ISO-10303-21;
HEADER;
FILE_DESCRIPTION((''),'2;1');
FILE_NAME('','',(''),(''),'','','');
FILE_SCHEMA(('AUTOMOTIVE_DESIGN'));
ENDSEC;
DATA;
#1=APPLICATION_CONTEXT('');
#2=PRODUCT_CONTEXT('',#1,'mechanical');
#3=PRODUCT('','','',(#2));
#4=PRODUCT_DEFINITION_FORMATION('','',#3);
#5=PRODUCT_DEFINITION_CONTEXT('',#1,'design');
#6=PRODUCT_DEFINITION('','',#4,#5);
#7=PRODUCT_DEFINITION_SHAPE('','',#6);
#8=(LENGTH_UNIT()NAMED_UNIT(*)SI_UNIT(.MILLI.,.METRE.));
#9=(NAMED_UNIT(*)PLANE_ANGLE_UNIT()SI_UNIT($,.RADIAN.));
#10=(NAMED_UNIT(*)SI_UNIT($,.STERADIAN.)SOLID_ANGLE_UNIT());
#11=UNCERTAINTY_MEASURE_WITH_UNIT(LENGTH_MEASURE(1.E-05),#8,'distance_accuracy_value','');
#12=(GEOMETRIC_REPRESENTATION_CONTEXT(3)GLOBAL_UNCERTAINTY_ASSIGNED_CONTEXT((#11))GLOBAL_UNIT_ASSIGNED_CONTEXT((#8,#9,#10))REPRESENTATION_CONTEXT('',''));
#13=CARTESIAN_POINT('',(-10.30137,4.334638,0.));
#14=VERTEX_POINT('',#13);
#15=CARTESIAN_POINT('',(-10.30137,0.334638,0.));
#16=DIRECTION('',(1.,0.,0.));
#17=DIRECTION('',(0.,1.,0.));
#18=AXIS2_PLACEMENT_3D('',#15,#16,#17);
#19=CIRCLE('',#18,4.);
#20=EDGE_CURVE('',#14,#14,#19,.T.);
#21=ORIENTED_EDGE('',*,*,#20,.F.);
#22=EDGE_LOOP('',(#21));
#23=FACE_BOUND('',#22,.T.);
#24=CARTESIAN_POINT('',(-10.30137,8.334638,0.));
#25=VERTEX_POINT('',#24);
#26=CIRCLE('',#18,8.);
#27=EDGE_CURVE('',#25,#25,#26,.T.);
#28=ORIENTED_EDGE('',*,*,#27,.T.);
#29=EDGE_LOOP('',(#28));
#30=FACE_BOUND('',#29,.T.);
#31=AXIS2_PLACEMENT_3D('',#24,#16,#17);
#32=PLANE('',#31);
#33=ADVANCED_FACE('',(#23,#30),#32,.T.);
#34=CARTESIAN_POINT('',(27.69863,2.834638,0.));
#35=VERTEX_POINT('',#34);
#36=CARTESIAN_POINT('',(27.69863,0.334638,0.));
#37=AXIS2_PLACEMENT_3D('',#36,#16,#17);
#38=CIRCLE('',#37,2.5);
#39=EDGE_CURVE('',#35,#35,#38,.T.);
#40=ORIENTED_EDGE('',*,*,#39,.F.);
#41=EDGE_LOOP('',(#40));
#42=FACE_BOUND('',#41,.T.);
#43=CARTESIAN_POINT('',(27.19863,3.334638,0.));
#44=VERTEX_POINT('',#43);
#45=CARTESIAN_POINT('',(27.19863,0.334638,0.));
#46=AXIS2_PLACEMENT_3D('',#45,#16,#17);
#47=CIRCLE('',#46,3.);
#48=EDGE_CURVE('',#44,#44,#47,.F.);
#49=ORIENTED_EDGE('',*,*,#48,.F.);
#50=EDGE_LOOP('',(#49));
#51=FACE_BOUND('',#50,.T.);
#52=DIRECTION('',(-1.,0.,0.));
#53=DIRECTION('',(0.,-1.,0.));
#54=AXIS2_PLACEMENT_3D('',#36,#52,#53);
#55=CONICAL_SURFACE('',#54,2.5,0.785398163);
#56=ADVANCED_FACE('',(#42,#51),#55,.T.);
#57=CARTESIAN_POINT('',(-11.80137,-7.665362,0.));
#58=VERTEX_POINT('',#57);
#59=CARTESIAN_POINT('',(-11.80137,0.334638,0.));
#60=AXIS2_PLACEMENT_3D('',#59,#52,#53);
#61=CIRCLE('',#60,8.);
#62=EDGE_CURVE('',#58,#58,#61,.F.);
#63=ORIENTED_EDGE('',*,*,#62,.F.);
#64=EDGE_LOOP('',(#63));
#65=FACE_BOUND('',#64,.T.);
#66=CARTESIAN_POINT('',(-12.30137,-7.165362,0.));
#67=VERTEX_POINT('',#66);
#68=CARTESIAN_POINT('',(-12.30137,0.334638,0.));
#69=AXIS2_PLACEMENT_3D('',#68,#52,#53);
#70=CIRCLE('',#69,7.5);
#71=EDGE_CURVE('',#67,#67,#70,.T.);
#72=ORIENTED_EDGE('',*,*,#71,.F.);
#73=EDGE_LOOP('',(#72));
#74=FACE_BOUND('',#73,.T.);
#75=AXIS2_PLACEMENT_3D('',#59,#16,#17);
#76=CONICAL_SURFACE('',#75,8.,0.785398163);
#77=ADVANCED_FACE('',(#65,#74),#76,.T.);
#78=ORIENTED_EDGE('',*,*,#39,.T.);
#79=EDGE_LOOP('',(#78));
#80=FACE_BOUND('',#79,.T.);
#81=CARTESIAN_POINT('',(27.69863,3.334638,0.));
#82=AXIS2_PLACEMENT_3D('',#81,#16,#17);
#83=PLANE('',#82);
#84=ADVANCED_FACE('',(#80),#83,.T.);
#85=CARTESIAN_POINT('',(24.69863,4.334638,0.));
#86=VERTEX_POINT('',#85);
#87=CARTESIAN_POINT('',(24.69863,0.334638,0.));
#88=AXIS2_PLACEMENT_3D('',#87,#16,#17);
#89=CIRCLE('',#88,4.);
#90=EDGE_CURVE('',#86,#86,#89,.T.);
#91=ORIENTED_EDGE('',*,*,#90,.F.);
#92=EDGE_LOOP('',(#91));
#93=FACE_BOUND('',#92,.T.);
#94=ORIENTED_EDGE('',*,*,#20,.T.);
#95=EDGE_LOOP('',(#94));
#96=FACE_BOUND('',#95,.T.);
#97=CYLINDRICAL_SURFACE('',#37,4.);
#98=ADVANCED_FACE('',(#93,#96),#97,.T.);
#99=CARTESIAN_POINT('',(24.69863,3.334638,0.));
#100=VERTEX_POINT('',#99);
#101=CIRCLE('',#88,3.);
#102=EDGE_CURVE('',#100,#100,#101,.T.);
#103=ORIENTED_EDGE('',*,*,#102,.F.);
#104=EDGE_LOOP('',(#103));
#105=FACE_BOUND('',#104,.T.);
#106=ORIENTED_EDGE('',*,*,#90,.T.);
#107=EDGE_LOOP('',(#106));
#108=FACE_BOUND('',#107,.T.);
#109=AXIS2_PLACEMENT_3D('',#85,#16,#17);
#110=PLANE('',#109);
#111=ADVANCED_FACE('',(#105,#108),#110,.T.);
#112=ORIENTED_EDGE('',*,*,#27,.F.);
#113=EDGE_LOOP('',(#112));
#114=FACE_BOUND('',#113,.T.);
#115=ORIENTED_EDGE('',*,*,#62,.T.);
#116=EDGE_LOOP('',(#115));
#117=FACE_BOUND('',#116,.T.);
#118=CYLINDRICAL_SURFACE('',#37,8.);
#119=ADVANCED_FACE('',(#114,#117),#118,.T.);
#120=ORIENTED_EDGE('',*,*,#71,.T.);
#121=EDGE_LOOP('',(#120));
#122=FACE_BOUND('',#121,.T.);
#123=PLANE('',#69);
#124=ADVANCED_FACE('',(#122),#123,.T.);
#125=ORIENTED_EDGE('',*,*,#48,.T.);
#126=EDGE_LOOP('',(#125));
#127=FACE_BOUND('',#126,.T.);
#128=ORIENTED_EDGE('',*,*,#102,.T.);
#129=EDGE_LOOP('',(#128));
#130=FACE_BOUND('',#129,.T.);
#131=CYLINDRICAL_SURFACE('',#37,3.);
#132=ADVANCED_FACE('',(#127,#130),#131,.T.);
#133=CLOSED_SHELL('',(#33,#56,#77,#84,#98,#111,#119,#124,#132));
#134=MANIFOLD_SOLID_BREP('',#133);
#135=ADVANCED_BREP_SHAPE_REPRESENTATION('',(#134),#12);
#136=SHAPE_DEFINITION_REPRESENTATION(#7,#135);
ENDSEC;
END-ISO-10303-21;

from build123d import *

# Parameters (mm, degrees)
CHAMFER_1_SIZE = 0.5


with BuildPart() as part:
    # 草图1 → 旋转1 (revolve)
    with BuildSketch(Plane.XY):
        Polygon((-12.301369863, 0.334637965), (-12.301369863, 8.334637965), (-10.301369863, 8.334637965), (-10.301369863, 4.334637965), (24.698630137, 4.334637965), (24.698630137, 3.334637965), (27.698630137, 3.334637965), (27.698630137, 0.334637965), align=None)
    revolve(axis=Axis((27.698630137, 0.334637965, 0), (-1, 0, 0)))

    # 倒角1
    chamfer_1_edges = [part.edges().sort_by_distance(p)[0] for p in [
        (27.698630137, -2.665362035, 0),
        (-12.301369863, -7.665362035, 0),
    ]]
    chamfer(chamfer_1_edges, length=CHAMFER_1_SIZE)


solid = part.part
